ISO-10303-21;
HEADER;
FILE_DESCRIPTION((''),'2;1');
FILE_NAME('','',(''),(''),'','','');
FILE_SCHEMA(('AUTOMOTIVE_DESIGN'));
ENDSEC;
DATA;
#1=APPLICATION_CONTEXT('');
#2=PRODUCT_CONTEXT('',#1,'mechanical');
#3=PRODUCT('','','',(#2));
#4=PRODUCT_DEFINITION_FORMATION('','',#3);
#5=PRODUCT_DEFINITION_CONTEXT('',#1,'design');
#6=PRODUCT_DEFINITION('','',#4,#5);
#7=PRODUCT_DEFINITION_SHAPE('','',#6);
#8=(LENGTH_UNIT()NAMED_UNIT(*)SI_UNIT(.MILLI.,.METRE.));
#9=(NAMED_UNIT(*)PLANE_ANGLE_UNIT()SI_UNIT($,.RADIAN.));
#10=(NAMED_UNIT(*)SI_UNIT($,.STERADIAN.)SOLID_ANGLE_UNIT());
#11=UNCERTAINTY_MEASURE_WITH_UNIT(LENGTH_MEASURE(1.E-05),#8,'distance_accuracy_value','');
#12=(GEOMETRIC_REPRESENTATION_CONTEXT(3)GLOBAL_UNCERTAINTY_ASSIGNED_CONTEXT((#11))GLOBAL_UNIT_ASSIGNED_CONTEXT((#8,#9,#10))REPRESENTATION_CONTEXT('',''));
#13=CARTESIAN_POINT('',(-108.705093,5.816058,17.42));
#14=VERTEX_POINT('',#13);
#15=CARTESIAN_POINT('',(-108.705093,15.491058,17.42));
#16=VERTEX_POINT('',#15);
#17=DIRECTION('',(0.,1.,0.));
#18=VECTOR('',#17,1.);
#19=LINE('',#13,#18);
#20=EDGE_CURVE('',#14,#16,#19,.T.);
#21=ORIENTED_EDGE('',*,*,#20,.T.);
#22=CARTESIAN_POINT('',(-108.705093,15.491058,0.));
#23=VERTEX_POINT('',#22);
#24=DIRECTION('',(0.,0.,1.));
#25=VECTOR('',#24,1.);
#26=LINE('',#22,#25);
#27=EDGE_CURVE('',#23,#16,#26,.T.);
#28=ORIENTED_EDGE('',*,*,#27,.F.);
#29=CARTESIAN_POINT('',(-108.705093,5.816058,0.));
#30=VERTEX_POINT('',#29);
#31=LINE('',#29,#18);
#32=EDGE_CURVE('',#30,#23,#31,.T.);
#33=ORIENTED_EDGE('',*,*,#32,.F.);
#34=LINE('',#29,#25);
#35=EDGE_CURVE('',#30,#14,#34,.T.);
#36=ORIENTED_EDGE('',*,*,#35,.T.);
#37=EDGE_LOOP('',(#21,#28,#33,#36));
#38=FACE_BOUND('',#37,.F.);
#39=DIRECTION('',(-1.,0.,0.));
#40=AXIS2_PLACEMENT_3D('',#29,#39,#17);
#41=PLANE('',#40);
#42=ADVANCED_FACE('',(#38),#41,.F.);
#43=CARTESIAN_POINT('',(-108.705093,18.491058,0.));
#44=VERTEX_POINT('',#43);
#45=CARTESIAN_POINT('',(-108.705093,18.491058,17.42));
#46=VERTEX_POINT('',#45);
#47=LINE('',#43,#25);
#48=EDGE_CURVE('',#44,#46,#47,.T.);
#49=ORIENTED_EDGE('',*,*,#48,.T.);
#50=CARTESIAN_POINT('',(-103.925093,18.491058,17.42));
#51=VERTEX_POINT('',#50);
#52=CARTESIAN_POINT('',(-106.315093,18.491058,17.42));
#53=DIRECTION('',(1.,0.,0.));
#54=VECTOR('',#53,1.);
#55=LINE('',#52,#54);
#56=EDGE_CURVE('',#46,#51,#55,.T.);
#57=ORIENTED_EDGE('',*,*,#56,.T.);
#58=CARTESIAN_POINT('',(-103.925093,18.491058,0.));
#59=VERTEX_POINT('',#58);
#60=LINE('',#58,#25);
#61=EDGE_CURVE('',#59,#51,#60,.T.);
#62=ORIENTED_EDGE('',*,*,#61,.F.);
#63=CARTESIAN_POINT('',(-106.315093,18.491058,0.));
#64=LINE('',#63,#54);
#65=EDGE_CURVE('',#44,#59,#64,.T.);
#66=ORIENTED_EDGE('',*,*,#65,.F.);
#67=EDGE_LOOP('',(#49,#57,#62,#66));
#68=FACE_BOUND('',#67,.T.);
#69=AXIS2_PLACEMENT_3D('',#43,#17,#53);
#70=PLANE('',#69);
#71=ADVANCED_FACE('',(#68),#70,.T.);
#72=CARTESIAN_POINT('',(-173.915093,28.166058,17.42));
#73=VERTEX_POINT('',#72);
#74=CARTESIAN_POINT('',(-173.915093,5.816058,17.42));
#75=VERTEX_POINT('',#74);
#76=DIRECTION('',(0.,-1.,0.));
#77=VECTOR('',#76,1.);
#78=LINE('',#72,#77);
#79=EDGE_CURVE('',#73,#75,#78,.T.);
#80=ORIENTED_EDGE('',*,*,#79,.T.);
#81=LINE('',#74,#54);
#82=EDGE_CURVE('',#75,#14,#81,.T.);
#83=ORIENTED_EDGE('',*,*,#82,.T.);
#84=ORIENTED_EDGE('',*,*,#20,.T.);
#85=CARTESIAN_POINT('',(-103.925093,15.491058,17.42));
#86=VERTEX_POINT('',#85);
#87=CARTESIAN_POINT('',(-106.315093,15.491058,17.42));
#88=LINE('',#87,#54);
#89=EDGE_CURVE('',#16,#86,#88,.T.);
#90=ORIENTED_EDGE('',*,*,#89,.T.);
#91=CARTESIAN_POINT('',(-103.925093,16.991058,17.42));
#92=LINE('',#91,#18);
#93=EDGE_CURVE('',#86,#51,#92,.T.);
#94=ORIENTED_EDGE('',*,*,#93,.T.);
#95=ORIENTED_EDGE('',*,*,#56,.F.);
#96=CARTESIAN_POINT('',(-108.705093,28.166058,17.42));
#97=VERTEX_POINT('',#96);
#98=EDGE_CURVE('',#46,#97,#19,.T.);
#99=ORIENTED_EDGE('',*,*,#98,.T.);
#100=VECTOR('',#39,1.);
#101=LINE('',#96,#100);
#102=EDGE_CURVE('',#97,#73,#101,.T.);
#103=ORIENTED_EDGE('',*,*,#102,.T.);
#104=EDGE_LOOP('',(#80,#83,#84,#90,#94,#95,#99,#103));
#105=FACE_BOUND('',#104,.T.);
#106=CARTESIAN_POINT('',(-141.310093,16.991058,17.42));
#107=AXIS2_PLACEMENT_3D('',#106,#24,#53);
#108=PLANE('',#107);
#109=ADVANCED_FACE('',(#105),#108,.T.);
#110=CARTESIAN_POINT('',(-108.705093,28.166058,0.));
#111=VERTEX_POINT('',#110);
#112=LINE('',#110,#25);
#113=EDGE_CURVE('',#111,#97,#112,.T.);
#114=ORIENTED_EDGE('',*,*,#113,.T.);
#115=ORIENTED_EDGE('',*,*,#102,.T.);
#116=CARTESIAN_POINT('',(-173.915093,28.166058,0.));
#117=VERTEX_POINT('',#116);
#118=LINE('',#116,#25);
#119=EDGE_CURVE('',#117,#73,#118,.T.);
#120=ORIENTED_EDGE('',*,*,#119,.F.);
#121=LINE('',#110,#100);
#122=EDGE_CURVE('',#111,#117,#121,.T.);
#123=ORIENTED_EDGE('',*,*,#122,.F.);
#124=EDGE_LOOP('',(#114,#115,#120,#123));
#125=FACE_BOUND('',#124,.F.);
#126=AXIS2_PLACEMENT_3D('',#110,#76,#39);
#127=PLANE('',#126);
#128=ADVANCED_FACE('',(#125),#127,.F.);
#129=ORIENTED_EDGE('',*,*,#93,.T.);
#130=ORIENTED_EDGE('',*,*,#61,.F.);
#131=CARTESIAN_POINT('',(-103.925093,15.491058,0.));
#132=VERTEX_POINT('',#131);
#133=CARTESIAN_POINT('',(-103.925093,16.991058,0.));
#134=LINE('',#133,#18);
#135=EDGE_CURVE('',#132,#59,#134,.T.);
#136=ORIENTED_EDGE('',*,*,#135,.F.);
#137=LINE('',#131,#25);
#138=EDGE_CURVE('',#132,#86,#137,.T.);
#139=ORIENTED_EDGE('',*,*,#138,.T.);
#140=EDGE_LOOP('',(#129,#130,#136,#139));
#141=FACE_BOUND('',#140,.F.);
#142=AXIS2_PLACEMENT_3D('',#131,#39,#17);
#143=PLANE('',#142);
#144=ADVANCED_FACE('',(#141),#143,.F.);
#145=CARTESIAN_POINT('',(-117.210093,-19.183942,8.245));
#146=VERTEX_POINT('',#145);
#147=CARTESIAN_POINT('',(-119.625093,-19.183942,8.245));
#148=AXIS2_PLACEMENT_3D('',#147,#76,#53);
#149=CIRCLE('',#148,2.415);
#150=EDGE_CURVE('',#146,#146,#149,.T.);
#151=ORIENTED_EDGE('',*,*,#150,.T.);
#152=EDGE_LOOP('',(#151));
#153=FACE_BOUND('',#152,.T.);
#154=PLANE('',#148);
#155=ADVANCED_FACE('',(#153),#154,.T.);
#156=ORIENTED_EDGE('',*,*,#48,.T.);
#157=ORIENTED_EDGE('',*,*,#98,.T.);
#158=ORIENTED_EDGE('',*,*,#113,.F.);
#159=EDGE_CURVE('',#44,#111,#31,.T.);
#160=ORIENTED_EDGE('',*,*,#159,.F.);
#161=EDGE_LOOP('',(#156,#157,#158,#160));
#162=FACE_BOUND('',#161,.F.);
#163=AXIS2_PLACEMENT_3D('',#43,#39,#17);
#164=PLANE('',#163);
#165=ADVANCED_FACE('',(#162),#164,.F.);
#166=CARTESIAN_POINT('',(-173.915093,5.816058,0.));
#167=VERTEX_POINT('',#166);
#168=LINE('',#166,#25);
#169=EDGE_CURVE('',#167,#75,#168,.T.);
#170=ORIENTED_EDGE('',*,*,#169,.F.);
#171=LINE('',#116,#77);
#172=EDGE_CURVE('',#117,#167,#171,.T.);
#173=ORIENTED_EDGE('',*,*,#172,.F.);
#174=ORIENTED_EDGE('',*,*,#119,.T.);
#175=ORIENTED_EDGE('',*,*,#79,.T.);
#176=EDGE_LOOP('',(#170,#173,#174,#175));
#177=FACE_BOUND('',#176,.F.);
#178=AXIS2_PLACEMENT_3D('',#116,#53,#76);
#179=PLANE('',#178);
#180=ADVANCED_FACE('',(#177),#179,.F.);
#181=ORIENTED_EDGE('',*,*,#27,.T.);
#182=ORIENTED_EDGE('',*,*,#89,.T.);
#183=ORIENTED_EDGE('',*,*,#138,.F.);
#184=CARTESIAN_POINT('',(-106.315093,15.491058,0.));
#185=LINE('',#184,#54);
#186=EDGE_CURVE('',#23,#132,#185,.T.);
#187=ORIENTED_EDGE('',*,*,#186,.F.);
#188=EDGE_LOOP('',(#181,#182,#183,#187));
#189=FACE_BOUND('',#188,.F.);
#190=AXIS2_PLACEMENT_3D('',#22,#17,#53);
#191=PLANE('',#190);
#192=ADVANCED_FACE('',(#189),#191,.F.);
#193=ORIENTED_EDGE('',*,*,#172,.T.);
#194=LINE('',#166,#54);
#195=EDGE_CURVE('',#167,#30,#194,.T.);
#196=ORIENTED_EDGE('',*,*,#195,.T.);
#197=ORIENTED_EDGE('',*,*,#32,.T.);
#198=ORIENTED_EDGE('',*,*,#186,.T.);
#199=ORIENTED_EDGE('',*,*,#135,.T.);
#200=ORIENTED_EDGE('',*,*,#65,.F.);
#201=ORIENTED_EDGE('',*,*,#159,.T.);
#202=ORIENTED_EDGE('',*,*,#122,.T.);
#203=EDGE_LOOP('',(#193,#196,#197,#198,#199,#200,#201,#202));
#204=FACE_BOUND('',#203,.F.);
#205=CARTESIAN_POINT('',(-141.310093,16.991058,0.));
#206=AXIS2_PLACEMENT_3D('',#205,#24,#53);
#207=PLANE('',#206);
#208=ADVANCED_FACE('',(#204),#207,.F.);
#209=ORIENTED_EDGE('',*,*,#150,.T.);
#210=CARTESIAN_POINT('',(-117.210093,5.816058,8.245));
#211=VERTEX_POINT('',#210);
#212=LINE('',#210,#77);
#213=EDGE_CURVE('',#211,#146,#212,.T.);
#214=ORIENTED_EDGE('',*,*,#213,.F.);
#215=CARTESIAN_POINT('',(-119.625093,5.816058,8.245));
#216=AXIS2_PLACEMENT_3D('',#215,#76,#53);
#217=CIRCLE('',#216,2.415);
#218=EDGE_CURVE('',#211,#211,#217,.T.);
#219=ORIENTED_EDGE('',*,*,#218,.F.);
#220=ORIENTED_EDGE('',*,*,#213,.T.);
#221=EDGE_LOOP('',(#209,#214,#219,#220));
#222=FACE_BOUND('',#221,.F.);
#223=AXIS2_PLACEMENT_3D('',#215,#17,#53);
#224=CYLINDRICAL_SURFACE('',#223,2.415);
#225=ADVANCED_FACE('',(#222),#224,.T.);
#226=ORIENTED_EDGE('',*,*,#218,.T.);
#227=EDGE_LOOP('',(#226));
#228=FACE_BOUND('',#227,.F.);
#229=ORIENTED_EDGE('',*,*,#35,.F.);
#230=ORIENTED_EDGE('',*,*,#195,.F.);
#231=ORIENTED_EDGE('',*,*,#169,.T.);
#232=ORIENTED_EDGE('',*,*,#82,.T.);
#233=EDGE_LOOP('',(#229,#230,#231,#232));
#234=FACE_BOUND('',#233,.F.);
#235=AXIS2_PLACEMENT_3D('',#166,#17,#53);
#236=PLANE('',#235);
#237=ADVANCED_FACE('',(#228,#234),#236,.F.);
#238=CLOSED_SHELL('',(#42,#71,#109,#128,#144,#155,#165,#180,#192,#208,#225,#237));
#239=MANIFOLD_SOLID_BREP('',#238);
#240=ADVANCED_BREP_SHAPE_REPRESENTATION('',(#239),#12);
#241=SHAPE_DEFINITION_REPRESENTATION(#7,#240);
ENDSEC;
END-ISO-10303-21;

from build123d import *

# Parameters (mm, degrees)
F0_W     = 4.78
F0_H     = 3
F1_DEPTH = 17.42
F2_R     = 2.415
F3_DEPTH = 25


with BuildPart() as f1:
    # F0 (on Top) → F1 (new body)
    with BuildSketch(Plane.XY):
        Polygon((-119.625093, 5.816058), (-108.705093, 5.816058), (-108.705093, 15.491058), (-108.705093, 18.491058), (-108.705093, 28.166058), (-173.915093, 28.166058), (-173.915093, 5.816058), (-124.455093, 5.816058), align=None)
        with Locations((-106.315093, 16.991058)):
            Rectangle(F0_W, F0_H)
    extrude(amount=F1_DEPTH)

    # F2 (on face) → F3 (join)
    with BuildSketch(Plane.XZ.offset(-5.816058)):
        with Locations((-119.625093, 8.245)):
            Circle(F2_R)
    extrude(amount=F3_DEPTH)


solid = f1.part
